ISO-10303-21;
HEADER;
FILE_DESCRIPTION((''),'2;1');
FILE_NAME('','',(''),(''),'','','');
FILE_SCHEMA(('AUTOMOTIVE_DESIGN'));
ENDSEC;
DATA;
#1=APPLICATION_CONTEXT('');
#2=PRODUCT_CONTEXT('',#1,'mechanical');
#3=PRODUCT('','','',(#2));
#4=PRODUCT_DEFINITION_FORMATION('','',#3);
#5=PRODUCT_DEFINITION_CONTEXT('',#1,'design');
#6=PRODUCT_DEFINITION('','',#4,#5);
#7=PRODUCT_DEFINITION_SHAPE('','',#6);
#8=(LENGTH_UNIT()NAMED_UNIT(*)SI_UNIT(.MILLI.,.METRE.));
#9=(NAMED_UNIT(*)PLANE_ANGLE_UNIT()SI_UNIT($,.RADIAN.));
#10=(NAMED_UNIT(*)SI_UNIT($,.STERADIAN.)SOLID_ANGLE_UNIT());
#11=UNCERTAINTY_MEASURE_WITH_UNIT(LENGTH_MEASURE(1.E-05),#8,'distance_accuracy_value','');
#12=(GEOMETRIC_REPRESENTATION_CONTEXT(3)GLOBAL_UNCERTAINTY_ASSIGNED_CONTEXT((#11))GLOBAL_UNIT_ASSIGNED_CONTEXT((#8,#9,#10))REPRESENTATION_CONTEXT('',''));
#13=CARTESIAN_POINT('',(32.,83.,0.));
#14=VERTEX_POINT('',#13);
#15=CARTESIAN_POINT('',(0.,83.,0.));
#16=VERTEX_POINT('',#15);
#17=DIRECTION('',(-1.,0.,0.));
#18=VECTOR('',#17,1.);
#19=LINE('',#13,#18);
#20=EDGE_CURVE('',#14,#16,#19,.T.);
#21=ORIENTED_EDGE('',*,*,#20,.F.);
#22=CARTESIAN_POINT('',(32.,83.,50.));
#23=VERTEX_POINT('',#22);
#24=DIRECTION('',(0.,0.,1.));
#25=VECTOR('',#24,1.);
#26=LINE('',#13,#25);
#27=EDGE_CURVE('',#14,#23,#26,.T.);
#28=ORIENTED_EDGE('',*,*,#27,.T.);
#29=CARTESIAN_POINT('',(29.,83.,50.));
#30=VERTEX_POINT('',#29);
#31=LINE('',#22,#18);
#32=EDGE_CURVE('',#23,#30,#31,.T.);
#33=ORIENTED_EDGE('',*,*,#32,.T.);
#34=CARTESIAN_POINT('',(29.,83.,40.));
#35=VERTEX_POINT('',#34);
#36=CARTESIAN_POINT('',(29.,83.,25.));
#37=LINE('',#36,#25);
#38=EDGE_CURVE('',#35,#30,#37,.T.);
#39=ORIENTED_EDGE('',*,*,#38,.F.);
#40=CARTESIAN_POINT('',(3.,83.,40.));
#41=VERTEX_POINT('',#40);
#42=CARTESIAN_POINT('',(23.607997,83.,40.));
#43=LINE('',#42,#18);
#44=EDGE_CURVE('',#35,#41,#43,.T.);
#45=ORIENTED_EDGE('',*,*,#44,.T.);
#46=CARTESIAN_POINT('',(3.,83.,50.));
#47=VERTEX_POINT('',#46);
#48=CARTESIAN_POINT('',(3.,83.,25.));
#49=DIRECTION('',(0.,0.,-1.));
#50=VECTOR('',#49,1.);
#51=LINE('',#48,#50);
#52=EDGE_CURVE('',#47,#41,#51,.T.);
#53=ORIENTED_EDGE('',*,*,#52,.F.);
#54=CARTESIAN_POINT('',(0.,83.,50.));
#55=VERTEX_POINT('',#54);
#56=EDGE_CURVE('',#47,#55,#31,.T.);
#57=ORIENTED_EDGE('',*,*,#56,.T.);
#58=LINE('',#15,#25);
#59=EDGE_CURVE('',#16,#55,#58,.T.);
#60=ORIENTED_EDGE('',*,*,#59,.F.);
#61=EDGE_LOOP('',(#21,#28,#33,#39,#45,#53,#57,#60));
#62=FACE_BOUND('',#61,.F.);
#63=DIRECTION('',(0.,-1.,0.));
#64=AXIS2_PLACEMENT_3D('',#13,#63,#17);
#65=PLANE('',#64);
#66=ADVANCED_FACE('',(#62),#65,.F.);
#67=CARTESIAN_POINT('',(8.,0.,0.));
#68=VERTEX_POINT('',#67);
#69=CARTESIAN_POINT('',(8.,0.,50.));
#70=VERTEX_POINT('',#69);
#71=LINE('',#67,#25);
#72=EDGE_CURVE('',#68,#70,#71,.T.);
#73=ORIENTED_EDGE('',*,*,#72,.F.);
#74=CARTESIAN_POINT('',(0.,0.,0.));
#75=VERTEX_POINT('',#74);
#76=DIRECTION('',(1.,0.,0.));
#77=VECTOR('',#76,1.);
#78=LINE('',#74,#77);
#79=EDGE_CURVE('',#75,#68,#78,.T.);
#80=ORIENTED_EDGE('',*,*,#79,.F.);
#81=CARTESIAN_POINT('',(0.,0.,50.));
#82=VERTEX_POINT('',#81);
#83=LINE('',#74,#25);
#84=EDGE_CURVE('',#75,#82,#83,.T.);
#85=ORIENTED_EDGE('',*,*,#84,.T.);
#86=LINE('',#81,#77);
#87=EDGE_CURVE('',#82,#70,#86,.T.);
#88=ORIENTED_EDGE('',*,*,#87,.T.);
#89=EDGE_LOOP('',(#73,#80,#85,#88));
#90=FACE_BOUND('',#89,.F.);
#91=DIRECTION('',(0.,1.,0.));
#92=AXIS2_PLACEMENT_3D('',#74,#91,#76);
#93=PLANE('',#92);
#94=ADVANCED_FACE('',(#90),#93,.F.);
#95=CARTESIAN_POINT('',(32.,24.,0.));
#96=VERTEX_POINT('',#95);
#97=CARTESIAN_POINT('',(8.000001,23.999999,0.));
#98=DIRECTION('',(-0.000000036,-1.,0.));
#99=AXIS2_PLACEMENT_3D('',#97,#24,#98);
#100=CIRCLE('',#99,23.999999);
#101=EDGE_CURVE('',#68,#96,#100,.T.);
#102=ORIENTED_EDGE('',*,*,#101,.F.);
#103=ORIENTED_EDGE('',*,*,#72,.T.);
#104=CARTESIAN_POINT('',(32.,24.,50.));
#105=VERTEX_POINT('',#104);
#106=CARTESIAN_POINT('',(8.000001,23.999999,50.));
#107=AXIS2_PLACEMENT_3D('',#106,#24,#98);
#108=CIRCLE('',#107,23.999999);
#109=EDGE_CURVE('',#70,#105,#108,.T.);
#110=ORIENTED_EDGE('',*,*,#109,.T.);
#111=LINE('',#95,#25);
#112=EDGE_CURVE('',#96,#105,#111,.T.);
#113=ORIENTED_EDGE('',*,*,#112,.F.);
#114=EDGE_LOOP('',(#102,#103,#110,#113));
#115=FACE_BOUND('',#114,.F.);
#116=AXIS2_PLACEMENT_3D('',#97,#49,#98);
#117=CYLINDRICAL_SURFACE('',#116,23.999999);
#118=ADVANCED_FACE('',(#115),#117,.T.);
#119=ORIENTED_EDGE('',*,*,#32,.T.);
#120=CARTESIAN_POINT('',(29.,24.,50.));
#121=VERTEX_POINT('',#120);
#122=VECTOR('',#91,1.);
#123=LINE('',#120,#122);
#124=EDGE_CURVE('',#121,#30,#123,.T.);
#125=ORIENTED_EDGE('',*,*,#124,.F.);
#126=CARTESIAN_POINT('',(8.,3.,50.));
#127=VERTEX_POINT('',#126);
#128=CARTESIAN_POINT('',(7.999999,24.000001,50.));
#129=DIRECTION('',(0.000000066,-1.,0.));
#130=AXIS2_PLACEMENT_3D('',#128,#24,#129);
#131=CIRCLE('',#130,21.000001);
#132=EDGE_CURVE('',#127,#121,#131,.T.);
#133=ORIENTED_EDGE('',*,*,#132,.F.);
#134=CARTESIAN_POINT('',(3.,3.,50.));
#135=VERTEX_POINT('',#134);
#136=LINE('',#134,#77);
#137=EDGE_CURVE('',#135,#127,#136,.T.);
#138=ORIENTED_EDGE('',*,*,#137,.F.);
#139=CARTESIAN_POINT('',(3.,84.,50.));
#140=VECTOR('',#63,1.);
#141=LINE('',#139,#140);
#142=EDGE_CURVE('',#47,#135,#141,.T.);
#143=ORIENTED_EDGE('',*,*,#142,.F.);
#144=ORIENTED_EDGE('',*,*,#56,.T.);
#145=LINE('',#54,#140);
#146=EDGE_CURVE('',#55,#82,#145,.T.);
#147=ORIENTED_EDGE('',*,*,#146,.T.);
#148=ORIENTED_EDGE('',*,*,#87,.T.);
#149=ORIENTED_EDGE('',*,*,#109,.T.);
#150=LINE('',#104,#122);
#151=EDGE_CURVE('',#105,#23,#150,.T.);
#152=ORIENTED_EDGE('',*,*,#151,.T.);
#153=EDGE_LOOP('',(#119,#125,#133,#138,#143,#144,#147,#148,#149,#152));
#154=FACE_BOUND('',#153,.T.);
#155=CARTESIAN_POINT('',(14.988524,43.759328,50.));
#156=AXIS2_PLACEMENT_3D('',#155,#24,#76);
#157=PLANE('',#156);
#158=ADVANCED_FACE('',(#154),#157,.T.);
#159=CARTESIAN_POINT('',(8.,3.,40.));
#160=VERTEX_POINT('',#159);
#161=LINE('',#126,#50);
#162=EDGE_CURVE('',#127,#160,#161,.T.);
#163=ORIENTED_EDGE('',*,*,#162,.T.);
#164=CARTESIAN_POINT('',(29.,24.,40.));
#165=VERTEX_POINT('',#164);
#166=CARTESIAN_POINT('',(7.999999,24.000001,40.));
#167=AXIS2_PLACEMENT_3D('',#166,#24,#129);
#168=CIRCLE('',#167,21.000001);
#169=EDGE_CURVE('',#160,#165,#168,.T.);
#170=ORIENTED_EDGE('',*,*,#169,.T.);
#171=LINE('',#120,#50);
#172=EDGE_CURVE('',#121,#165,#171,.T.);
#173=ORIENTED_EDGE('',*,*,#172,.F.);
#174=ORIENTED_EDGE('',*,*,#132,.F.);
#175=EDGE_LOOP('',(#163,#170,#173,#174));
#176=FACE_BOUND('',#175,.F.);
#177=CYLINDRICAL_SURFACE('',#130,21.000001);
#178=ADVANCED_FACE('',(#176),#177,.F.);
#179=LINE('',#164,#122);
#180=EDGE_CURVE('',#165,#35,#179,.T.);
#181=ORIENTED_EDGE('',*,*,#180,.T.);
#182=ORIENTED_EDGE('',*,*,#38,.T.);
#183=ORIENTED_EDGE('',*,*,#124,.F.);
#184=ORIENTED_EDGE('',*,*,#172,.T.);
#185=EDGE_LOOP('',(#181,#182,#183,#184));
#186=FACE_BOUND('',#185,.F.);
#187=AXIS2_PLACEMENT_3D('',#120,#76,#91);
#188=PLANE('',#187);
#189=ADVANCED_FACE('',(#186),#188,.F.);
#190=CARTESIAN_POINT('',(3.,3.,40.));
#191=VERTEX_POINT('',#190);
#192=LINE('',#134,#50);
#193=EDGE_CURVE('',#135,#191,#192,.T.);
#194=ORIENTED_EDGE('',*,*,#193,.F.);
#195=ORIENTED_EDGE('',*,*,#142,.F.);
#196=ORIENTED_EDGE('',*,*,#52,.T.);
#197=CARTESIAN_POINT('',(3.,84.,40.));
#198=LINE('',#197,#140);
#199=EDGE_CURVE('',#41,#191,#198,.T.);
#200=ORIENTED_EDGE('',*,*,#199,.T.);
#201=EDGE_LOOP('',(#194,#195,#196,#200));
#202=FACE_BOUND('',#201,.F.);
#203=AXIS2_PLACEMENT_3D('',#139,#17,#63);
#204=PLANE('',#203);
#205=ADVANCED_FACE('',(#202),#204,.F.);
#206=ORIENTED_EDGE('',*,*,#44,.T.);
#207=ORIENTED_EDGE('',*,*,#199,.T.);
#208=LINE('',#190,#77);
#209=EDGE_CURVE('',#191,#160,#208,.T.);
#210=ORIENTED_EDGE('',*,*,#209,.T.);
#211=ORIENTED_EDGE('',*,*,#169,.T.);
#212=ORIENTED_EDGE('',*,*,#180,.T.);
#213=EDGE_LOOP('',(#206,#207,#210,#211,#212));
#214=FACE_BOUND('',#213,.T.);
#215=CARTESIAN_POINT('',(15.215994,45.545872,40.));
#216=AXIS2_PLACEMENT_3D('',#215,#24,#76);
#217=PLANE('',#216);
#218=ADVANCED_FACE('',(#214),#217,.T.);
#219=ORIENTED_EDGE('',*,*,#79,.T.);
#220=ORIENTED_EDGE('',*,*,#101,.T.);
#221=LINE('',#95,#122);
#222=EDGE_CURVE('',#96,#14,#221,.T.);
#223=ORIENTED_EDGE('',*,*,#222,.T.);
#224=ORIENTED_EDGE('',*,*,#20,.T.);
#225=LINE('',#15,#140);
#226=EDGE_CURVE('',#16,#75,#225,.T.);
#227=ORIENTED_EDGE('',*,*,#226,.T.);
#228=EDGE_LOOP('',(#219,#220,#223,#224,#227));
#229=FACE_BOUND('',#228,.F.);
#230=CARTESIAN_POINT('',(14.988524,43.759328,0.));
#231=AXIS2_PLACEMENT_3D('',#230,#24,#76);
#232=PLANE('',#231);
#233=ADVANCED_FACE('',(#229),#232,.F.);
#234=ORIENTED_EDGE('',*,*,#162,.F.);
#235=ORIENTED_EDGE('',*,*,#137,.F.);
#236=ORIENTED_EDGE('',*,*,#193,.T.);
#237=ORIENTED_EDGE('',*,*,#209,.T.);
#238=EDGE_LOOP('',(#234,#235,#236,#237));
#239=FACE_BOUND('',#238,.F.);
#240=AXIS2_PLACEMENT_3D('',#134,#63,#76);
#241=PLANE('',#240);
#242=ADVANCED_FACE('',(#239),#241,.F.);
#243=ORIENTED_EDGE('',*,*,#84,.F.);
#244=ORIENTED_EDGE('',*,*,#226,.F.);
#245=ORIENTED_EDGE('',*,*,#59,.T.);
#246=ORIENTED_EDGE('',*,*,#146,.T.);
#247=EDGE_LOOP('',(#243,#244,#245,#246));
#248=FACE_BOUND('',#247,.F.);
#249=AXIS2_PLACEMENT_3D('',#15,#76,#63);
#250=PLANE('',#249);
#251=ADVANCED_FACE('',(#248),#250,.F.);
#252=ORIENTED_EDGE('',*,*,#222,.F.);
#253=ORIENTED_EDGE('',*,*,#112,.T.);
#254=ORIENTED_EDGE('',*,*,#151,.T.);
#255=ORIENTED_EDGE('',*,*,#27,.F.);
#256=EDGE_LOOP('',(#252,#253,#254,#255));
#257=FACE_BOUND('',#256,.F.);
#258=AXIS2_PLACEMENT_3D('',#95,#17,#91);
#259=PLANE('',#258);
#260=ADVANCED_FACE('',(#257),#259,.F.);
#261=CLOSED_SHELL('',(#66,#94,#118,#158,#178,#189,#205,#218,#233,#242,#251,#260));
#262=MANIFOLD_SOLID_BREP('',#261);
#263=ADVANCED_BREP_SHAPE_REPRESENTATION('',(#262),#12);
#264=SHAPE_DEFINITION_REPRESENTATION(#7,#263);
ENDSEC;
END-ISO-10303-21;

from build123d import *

# Parameters (mm, degrees)
PAD_DEPTH    = 50
POCKET_DEPTH = 10


with BuildPart() as part:
    # Sketch → Pad (new body)
    with BuildSketch(Plane.XY):
        with BuildLine():
            Line((0, 0), (8, 0))
            ThreePointArc((8, 0), (24.970563, 7.029437), (32, 24))
            Line((32, 24), (32, 83))
            Line((32, 83), (0, 83))
            Line((0, 83), (0, 0))
        make_face()
    extrude(amount=PAD_DEPTH)

    # Sketch001 (on Face7 of Pad) → Pocket (cut)
    with BuildSketch(Plane.XY.offset(50)):
        with BuildLine():
            Line((3, 84), (3, 3))
            Line((3, 3), (8, 3))
            ThreePointArc((8, 3), (22.849242, 9.150758), (29, 24))
            Line((29, 24), (29, 84))
            Line((29, 84), (3, 84))
        make_face()
    extrude(amount=-POCKET_DEPTH, mode=Mode.SUBTRACT)


solid = part.part
